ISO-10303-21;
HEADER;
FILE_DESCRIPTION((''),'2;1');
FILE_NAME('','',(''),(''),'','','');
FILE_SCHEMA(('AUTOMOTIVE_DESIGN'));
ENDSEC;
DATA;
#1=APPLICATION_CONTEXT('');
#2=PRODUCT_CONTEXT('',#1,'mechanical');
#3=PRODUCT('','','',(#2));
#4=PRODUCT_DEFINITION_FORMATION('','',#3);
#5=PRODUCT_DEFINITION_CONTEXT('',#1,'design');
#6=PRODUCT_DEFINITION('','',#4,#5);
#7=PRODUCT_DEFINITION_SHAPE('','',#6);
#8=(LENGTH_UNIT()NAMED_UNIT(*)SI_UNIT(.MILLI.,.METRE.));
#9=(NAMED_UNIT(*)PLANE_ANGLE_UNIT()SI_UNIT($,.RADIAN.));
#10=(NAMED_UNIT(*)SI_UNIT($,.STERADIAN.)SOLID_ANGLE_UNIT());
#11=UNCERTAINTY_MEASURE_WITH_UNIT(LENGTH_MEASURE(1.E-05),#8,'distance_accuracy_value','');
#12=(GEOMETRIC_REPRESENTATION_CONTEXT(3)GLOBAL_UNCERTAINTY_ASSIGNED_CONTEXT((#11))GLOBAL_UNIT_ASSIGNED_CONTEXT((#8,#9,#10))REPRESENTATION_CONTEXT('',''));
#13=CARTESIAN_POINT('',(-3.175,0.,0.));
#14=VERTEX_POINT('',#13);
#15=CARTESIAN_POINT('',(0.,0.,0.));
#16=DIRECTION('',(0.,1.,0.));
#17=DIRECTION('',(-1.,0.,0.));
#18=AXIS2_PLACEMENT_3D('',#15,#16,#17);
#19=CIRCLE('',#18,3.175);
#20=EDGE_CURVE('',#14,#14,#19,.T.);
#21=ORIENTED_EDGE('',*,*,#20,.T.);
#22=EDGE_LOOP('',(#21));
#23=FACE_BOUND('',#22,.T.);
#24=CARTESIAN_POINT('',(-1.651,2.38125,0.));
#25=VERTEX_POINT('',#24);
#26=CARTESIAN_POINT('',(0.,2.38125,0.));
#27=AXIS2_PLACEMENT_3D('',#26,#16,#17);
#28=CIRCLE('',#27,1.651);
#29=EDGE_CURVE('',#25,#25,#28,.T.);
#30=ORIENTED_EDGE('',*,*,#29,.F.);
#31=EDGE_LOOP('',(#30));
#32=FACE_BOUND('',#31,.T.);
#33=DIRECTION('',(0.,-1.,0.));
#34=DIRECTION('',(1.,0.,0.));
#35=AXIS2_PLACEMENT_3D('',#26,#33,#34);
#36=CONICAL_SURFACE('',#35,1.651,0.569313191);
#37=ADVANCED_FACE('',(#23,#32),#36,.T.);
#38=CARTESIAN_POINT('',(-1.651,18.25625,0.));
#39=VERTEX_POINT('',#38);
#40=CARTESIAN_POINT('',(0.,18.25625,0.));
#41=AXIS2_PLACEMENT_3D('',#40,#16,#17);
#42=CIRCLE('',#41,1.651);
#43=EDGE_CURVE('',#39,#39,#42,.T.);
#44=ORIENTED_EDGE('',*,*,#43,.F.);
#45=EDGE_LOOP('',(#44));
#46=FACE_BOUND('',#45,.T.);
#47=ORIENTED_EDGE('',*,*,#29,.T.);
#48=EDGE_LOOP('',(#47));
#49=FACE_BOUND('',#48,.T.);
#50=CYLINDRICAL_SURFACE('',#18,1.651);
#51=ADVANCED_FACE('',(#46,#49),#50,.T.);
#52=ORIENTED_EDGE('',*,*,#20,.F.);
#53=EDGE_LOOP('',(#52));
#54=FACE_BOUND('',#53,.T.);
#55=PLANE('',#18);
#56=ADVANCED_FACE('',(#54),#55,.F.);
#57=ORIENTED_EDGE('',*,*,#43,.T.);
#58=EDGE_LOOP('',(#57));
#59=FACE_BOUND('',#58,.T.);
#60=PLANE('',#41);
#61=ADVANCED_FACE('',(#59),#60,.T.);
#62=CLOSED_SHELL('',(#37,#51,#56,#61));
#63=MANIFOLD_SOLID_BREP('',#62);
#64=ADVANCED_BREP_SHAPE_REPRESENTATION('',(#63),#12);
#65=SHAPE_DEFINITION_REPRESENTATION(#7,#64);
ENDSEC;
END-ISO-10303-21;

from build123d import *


with BuildPart() as part:
    # Sketch1 → Revolve3 (revolve)
    with BuildSketch(Plane.XY, mode=Mode.PRIVATE) as revolve3_sk:
        Polygon((0, 18.25625), (0, 0), (3.175, 0), (1.651, 2.38125), (1.651, 18.25625), align=None)
    revolve(revolve3_sk.sketch.rotate(Axis((0, 0, 0), (0, -1, 0)), 180), axis=Axis((0, 0, 0), (0, -1, 0)))


solid = part.part
